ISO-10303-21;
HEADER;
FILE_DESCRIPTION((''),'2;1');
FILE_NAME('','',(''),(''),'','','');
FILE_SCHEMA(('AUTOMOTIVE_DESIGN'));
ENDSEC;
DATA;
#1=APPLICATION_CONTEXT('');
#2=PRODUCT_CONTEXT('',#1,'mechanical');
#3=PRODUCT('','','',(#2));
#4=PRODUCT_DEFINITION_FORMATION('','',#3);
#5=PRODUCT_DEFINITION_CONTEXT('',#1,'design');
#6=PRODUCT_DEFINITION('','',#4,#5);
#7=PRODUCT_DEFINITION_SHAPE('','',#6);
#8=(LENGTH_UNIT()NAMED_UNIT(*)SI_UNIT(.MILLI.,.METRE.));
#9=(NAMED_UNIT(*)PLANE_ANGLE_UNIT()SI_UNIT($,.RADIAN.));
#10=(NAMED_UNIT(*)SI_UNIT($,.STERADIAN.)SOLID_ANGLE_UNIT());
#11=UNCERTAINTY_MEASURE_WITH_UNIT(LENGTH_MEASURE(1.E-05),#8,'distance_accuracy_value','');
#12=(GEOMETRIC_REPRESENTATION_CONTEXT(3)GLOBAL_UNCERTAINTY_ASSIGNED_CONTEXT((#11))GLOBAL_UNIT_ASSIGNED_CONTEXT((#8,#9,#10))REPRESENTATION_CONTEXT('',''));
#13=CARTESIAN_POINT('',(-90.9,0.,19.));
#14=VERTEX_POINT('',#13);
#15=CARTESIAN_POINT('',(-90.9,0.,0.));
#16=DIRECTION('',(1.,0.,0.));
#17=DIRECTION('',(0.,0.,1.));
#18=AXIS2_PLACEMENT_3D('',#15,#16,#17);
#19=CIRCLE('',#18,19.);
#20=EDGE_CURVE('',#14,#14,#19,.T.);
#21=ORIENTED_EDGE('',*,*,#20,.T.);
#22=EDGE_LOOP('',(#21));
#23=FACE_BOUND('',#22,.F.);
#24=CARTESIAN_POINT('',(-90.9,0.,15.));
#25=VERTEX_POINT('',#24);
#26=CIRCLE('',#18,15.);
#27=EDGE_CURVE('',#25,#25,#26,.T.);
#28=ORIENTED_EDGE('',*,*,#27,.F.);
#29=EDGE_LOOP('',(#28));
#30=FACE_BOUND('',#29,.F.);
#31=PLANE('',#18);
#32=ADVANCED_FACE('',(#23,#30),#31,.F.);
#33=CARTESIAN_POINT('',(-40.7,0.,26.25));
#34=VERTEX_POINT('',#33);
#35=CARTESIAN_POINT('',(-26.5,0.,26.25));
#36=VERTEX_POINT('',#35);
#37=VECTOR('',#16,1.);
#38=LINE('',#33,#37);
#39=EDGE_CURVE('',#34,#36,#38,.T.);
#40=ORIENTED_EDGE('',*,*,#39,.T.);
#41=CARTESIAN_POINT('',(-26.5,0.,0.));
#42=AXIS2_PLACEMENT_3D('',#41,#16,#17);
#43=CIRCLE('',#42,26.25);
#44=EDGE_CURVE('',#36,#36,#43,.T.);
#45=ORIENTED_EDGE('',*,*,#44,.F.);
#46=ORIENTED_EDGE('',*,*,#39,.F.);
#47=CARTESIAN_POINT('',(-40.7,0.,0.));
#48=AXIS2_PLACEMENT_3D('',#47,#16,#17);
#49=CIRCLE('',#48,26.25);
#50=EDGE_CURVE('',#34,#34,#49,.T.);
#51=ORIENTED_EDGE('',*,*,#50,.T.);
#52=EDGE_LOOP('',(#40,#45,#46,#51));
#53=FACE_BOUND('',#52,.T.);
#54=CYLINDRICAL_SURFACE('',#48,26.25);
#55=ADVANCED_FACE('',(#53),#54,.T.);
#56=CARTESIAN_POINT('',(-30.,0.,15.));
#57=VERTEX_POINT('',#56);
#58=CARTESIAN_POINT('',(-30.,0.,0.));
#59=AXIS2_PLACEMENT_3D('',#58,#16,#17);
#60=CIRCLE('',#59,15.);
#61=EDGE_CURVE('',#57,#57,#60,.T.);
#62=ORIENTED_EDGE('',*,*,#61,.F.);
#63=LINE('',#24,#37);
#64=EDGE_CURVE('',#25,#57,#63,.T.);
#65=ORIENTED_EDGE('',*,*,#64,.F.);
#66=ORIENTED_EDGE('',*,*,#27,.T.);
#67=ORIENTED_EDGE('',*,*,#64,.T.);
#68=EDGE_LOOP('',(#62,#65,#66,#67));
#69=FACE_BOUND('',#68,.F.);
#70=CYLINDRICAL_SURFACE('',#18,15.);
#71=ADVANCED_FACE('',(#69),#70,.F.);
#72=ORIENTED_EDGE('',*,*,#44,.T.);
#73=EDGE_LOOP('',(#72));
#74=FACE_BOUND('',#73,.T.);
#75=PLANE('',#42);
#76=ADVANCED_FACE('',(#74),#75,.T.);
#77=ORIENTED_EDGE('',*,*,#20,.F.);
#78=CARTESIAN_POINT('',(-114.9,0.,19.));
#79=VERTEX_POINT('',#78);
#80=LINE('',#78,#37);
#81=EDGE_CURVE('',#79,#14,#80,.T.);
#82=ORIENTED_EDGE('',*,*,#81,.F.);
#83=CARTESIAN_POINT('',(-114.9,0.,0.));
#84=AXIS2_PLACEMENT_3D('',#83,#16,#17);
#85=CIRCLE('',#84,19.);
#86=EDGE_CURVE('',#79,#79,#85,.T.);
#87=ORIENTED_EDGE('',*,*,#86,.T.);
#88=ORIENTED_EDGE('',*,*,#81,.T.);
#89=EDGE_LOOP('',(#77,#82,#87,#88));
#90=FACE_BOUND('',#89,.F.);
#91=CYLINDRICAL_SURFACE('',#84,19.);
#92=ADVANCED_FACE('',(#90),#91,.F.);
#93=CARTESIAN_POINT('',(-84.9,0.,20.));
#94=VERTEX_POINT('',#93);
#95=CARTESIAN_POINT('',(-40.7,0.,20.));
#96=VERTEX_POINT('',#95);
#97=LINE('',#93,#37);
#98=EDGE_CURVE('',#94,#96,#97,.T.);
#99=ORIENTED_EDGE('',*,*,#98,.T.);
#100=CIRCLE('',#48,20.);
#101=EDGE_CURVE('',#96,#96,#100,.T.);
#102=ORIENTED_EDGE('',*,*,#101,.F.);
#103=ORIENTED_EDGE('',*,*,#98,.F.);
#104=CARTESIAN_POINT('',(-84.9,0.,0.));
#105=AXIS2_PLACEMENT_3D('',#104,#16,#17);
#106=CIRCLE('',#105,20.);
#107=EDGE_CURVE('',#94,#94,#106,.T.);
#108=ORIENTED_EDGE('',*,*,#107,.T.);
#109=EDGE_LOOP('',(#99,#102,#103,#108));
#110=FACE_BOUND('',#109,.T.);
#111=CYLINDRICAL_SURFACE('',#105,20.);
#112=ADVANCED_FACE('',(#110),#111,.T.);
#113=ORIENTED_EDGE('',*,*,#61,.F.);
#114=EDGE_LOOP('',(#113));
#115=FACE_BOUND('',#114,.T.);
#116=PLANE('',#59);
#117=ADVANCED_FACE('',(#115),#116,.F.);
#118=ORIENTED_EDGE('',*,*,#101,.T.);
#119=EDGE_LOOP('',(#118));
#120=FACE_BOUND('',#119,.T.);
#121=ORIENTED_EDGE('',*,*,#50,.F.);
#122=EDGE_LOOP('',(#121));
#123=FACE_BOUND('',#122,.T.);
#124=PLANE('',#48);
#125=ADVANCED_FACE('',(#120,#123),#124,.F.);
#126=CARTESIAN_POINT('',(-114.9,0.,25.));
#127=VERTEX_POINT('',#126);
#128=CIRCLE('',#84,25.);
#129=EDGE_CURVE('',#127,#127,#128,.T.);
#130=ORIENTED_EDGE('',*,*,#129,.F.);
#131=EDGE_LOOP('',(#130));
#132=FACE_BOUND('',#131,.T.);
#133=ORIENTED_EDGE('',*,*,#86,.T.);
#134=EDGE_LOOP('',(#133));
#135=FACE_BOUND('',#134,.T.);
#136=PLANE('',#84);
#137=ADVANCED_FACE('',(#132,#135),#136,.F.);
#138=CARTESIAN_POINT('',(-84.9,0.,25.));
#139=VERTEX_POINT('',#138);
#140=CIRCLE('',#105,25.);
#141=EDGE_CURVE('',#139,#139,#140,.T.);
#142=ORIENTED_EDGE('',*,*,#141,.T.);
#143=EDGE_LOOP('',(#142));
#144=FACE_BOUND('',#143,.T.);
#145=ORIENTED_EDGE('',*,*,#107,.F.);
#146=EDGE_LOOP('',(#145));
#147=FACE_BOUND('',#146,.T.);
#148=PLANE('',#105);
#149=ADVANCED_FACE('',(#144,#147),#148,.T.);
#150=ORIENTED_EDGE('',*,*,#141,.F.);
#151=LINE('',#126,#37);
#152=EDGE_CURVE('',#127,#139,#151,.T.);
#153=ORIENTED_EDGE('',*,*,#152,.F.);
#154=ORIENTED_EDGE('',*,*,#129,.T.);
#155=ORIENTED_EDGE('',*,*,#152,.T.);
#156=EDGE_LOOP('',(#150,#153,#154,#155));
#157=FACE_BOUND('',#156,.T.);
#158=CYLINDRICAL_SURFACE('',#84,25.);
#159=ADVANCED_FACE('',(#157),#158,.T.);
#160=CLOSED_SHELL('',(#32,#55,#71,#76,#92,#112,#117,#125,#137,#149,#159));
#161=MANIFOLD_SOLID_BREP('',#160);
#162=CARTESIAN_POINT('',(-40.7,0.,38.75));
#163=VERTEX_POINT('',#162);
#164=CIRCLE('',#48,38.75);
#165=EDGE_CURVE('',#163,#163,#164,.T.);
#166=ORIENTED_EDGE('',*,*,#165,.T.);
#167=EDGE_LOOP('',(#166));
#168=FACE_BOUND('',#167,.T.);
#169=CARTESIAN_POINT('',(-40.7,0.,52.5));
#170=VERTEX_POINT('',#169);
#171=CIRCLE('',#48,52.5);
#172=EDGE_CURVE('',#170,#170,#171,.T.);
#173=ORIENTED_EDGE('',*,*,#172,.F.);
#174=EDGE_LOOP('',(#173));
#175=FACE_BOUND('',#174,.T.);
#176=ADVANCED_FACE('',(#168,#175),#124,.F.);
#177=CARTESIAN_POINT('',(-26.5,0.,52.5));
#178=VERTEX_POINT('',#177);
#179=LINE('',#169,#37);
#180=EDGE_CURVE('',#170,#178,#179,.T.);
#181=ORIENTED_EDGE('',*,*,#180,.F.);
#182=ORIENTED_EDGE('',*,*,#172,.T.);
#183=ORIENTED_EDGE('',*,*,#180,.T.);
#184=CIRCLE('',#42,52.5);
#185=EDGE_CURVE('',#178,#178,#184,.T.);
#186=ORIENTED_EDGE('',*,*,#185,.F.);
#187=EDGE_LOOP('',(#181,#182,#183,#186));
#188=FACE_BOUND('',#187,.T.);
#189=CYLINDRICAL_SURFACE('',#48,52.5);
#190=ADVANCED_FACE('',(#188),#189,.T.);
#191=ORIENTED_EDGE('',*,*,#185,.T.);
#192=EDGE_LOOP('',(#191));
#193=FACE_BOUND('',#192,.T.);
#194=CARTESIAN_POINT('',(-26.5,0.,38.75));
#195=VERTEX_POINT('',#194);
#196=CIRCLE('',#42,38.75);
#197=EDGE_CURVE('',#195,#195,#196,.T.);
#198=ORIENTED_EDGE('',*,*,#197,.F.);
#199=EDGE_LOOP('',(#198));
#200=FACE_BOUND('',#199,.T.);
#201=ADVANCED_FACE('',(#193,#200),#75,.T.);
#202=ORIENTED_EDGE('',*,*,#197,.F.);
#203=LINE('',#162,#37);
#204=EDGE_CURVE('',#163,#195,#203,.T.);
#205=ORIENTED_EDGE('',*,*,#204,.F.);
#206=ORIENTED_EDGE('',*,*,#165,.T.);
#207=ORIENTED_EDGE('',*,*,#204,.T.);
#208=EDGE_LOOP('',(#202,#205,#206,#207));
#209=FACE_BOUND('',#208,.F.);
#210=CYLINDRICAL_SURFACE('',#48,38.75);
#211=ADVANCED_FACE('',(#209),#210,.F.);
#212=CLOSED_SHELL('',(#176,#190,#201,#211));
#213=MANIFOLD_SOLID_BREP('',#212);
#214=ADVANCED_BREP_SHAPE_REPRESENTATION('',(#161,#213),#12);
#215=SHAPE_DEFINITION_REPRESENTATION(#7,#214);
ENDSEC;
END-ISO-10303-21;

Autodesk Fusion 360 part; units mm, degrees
sketch "Sketch1" plane through (0, 0, 0) normal (0, 1, 0) x (1, 0, 0)
  line L0 (-125, 0) -> (145, 0) construction
  line L1 (-114.9, 0) -> (-114.9, -19)
  line L2 (-114.9, 0) -> (-114.9, -25)
  line L3 (-114.9, -19) -> (-90.9, -19)
  line L4 (-114.9, -25) -> (-84.9, -25)
  line L5 (-90.9, -19) -> (-90.9, -15)
  line L6 (-84.9, -25) -> (-84.9, -20)
  line L7 (-84.9, -20) -> (-40.7, -20)
  line L8 (-40.7, -20) -> (-40.7, 0) construction
  line L9 (-40.7, -20) -> (-40.7, -52.5)
  line L10 (-40.7, -52.5) -> (-26.5, -52.5)
  line L11 (-26.5, -52.5) -> (-26.5, 0)
  line L12 (-26.5, 0) -> (-30, 0)
  line L13 (-30, 0) -> (-30, -15)
  line L14 (-26.5, -18) -> (-27, -18)
  line L15 (-27, -18) -> (-30, -15)
  line L16 (-90.9, -15) -> (-26.5, -15)
  line L17 (-40.7, 0) -> (-40.7, -32.5) construction
  line L18 (-40.7, -32.5) -> (-12.9644, -32.5) construction
  line L19 (-40.7, -38.75) -> (-26.5, -38.75)
  line L20 (-40.7, -26.25) -> (-26.5, -26.25)
  point P0 (-30, -18)
  dimension "d5" = 19
  dimension "d6" = 25
  dimension "d7" = 24
  dimension "d8" = 30
  dimension "d9" = 4
  dimension "d10" = 5
  dimension "d11" = 44.2
  dimension "d12" = 32.5
  dimension "d13" = 14.2
  dimension "d14" = 3.5
  dimension "d15" = 3
  dimension "d16" = 3
  dimension "d17" = 32.5
  dimension "d18" = 6.25
revolve "Revolve1" add sketch "Sketch1" angle 360 about axis through (-125, 0, 0) along (1, 0, 0) contours L2 L3 L4 L5 L6 L7 L9 L11 L14 L15 L16 L20 | L11 L14 L15 L16 | L11 L12 L13 L16 | L9 L10 L11 L19 makes body 1 at (-31.2333, 5.2273, 52.2391) makes body 2 at (-50.3, 1.4935, 14.9255)
equation "d8 = 24 mm + 6 mm"
equation "d9 = 19 mm - 15 mm"
equation "d10 = 25 mm - 20 mm"
equation "d12 = ( 65 / 2 ) * 1 mm"
equation "d16 = d15"
equation "d17 = ( 65 / 2 ) * 1 mm"
equation "d18 = ( 12.5 / 2 ) * 1 mm"
